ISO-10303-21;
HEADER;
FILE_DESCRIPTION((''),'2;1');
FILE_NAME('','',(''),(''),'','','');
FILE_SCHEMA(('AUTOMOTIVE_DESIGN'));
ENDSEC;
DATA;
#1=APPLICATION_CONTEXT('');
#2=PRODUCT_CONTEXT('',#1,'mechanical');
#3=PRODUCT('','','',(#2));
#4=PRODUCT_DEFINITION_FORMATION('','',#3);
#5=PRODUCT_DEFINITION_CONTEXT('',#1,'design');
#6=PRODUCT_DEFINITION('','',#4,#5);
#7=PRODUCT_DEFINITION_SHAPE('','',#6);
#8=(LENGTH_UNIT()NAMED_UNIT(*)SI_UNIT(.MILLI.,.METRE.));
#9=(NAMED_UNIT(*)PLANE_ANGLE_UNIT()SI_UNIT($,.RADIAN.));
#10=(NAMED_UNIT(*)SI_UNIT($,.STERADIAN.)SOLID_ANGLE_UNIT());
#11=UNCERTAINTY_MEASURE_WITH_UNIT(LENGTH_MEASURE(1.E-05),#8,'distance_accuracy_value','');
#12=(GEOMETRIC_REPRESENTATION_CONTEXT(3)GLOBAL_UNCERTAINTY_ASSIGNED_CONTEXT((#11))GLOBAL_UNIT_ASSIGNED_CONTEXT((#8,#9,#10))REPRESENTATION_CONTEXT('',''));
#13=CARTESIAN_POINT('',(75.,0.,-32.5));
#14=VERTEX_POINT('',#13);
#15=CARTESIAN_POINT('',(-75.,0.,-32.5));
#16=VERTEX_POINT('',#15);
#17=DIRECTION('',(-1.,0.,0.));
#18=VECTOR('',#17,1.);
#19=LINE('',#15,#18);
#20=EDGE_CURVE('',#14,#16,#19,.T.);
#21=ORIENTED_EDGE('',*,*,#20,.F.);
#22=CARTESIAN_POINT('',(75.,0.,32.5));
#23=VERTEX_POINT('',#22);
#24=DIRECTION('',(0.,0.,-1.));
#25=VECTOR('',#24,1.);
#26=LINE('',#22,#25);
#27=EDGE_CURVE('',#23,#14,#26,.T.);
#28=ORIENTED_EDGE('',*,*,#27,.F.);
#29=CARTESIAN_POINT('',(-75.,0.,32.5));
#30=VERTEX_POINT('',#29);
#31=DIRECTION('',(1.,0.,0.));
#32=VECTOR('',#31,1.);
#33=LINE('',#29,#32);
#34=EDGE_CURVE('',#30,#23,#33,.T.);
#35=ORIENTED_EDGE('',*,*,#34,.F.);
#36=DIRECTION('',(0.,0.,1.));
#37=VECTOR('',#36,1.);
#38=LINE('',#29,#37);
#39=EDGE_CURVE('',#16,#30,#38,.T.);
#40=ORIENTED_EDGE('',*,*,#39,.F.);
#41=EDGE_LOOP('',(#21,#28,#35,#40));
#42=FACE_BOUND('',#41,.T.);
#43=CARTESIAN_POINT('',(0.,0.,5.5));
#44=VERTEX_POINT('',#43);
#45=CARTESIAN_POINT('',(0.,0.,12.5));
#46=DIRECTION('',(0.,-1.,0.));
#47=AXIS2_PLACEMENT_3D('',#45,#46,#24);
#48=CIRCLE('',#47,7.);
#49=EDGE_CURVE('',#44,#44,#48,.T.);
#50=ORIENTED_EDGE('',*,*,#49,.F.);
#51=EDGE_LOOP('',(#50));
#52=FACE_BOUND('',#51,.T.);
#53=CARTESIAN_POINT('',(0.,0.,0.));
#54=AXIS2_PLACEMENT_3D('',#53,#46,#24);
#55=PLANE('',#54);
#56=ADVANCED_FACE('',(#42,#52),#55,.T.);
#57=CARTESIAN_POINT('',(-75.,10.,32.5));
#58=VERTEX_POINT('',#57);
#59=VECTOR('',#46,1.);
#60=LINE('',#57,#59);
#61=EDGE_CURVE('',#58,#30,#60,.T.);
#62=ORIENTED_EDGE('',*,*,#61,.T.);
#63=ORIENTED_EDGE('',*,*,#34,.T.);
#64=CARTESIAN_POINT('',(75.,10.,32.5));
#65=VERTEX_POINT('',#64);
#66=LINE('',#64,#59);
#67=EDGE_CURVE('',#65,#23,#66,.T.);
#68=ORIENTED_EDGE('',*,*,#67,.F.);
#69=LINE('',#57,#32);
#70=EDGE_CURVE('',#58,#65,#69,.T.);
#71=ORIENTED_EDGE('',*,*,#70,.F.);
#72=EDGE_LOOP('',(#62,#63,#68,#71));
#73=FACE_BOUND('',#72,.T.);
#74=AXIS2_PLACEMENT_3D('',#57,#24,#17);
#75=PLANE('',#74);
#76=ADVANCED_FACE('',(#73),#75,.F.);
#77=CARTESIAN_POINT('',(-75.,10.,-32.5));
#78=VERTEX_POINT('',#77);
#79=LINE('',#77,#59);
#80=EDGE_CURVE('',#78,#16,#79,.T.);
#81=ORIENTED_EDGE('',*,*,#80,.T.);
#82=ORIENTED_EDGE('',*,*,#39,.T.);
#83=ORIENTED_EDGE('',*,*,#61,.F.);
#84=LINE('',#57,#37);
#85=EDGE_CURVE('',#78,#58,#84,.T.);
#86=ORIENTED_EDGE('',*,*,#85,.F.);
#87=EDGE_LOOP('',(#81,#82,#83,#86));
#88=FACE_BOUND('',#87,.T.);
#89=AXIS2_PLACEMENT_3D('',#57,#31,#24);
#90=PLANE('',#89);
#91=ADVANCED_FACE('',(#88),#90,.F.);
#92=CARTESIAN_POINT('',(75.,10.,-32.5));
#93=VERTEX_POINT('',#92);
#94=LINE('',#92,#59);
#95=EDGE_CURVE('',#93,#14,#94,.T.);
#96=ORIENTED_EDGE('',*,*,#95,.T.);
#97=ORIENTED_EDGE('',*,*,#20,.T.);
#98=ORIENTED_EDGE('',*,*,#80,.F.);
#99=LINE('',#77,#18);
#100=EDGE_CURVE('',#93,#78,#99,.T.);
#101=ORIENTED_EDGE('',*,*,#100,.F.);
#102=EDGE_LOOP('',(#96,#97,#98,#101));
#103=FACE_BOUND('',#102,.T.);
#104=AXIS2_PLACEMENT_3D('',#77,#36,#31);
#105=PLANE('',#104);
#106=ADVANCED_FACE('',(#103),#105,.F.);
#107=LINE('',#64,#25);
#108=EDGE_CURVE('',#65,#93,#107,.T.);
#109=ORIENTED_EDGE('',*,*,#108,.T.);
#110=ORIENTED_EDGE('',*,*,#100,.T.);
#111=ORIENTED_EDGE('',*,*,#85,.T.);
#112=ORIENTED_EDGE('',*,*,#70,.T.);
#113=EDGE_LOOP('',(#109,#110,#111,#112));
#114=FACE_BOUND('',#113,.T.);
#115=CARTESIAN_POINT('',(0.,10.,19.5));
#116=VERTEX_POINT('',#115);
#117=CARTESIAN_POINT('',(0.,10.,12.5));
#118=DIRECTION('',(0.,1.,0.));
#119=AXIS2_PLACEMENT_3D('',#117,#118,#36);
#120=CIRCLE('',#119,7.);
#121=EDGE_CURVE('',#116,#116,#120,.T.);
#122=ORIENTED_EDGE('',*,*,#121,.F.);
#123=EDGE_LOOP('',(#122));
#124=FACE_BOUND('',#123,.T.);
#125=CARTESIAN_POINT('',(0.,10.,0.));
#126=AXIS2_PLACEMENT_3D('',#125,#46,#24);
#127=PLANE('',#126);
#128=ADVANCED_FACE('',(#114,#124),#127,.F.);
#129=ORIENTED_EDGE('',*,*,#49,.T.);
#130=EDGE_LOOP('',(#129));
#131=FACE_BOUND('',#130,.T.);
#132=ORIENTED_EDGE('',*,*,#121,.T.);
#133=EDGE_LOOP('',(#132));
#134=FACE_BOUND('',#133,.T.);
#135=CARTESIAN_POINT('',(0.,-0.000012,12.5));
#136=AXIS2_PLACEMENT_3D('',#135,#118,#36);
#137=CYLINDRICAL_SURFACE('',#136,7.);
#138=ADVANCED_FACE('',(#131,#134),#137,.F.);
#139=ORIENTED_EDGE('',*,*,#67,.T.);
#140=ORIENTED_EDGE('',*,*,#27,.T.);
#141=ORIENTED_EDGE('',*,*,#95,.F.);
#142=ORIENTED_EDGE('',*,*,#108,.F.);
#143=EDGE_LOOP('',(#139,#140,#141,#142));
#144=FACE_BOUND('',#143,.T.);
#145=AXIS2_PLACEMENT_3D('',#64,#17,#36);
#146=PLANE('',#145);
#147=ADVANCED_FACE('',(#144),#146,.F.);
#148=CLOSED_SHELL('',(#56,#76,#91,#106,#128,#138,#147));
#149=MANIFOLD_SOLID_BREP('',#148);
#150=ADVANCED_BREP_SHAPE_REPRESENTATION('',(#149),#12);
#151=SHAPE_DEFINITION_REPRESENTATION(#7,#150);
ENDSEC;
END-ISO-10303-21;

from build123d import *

# Parameters (mm, degrees)
SKETCH1_W               = 150
SKETCH1_H               = 65
BOSS_EXTRUDE1_DEPTH     = 10
SKETCH2_R               = 7
CUT_EXTRUDE2_DEPTH      = 11
CUT_EXTRUDE2_DEPTH_BACK = 1


with BuildPart() as part:
    # Sketch1 → Boss-Extrude1 (new body)
    with BuildSketch(Plane(origin=(0, 0, 0), x_dir=(1, 0, 0), z_dir=(0, 1, 0))):
        Rectangle(SKETCH1_W, SKETCH1_H)
    extrude(amount=BOSS_EXTRUDE1_DEPTH)

    # Sketch2 → Cut-Extrude2 (cut, two sides)
    with BuildSketch(Plane(origin=(0, 0, 0), x_dir=(1, 0, 0), z_dir=(0, 1, 0))) as cut_extrude2_sk:
        with Locations((0, -12.5)):
            Circle(SKETCH2_R)
    extrude(amount=CUT_EXTRUDE2_DEPTH, mode=Mode.SUBTRACT)
    extrude(cut_extrude2_sk.sketch, amount=-CUT_EXTRUDE2_DEPTH_BACK, mode=Mode.SUBTRACT)


solid = part.part
